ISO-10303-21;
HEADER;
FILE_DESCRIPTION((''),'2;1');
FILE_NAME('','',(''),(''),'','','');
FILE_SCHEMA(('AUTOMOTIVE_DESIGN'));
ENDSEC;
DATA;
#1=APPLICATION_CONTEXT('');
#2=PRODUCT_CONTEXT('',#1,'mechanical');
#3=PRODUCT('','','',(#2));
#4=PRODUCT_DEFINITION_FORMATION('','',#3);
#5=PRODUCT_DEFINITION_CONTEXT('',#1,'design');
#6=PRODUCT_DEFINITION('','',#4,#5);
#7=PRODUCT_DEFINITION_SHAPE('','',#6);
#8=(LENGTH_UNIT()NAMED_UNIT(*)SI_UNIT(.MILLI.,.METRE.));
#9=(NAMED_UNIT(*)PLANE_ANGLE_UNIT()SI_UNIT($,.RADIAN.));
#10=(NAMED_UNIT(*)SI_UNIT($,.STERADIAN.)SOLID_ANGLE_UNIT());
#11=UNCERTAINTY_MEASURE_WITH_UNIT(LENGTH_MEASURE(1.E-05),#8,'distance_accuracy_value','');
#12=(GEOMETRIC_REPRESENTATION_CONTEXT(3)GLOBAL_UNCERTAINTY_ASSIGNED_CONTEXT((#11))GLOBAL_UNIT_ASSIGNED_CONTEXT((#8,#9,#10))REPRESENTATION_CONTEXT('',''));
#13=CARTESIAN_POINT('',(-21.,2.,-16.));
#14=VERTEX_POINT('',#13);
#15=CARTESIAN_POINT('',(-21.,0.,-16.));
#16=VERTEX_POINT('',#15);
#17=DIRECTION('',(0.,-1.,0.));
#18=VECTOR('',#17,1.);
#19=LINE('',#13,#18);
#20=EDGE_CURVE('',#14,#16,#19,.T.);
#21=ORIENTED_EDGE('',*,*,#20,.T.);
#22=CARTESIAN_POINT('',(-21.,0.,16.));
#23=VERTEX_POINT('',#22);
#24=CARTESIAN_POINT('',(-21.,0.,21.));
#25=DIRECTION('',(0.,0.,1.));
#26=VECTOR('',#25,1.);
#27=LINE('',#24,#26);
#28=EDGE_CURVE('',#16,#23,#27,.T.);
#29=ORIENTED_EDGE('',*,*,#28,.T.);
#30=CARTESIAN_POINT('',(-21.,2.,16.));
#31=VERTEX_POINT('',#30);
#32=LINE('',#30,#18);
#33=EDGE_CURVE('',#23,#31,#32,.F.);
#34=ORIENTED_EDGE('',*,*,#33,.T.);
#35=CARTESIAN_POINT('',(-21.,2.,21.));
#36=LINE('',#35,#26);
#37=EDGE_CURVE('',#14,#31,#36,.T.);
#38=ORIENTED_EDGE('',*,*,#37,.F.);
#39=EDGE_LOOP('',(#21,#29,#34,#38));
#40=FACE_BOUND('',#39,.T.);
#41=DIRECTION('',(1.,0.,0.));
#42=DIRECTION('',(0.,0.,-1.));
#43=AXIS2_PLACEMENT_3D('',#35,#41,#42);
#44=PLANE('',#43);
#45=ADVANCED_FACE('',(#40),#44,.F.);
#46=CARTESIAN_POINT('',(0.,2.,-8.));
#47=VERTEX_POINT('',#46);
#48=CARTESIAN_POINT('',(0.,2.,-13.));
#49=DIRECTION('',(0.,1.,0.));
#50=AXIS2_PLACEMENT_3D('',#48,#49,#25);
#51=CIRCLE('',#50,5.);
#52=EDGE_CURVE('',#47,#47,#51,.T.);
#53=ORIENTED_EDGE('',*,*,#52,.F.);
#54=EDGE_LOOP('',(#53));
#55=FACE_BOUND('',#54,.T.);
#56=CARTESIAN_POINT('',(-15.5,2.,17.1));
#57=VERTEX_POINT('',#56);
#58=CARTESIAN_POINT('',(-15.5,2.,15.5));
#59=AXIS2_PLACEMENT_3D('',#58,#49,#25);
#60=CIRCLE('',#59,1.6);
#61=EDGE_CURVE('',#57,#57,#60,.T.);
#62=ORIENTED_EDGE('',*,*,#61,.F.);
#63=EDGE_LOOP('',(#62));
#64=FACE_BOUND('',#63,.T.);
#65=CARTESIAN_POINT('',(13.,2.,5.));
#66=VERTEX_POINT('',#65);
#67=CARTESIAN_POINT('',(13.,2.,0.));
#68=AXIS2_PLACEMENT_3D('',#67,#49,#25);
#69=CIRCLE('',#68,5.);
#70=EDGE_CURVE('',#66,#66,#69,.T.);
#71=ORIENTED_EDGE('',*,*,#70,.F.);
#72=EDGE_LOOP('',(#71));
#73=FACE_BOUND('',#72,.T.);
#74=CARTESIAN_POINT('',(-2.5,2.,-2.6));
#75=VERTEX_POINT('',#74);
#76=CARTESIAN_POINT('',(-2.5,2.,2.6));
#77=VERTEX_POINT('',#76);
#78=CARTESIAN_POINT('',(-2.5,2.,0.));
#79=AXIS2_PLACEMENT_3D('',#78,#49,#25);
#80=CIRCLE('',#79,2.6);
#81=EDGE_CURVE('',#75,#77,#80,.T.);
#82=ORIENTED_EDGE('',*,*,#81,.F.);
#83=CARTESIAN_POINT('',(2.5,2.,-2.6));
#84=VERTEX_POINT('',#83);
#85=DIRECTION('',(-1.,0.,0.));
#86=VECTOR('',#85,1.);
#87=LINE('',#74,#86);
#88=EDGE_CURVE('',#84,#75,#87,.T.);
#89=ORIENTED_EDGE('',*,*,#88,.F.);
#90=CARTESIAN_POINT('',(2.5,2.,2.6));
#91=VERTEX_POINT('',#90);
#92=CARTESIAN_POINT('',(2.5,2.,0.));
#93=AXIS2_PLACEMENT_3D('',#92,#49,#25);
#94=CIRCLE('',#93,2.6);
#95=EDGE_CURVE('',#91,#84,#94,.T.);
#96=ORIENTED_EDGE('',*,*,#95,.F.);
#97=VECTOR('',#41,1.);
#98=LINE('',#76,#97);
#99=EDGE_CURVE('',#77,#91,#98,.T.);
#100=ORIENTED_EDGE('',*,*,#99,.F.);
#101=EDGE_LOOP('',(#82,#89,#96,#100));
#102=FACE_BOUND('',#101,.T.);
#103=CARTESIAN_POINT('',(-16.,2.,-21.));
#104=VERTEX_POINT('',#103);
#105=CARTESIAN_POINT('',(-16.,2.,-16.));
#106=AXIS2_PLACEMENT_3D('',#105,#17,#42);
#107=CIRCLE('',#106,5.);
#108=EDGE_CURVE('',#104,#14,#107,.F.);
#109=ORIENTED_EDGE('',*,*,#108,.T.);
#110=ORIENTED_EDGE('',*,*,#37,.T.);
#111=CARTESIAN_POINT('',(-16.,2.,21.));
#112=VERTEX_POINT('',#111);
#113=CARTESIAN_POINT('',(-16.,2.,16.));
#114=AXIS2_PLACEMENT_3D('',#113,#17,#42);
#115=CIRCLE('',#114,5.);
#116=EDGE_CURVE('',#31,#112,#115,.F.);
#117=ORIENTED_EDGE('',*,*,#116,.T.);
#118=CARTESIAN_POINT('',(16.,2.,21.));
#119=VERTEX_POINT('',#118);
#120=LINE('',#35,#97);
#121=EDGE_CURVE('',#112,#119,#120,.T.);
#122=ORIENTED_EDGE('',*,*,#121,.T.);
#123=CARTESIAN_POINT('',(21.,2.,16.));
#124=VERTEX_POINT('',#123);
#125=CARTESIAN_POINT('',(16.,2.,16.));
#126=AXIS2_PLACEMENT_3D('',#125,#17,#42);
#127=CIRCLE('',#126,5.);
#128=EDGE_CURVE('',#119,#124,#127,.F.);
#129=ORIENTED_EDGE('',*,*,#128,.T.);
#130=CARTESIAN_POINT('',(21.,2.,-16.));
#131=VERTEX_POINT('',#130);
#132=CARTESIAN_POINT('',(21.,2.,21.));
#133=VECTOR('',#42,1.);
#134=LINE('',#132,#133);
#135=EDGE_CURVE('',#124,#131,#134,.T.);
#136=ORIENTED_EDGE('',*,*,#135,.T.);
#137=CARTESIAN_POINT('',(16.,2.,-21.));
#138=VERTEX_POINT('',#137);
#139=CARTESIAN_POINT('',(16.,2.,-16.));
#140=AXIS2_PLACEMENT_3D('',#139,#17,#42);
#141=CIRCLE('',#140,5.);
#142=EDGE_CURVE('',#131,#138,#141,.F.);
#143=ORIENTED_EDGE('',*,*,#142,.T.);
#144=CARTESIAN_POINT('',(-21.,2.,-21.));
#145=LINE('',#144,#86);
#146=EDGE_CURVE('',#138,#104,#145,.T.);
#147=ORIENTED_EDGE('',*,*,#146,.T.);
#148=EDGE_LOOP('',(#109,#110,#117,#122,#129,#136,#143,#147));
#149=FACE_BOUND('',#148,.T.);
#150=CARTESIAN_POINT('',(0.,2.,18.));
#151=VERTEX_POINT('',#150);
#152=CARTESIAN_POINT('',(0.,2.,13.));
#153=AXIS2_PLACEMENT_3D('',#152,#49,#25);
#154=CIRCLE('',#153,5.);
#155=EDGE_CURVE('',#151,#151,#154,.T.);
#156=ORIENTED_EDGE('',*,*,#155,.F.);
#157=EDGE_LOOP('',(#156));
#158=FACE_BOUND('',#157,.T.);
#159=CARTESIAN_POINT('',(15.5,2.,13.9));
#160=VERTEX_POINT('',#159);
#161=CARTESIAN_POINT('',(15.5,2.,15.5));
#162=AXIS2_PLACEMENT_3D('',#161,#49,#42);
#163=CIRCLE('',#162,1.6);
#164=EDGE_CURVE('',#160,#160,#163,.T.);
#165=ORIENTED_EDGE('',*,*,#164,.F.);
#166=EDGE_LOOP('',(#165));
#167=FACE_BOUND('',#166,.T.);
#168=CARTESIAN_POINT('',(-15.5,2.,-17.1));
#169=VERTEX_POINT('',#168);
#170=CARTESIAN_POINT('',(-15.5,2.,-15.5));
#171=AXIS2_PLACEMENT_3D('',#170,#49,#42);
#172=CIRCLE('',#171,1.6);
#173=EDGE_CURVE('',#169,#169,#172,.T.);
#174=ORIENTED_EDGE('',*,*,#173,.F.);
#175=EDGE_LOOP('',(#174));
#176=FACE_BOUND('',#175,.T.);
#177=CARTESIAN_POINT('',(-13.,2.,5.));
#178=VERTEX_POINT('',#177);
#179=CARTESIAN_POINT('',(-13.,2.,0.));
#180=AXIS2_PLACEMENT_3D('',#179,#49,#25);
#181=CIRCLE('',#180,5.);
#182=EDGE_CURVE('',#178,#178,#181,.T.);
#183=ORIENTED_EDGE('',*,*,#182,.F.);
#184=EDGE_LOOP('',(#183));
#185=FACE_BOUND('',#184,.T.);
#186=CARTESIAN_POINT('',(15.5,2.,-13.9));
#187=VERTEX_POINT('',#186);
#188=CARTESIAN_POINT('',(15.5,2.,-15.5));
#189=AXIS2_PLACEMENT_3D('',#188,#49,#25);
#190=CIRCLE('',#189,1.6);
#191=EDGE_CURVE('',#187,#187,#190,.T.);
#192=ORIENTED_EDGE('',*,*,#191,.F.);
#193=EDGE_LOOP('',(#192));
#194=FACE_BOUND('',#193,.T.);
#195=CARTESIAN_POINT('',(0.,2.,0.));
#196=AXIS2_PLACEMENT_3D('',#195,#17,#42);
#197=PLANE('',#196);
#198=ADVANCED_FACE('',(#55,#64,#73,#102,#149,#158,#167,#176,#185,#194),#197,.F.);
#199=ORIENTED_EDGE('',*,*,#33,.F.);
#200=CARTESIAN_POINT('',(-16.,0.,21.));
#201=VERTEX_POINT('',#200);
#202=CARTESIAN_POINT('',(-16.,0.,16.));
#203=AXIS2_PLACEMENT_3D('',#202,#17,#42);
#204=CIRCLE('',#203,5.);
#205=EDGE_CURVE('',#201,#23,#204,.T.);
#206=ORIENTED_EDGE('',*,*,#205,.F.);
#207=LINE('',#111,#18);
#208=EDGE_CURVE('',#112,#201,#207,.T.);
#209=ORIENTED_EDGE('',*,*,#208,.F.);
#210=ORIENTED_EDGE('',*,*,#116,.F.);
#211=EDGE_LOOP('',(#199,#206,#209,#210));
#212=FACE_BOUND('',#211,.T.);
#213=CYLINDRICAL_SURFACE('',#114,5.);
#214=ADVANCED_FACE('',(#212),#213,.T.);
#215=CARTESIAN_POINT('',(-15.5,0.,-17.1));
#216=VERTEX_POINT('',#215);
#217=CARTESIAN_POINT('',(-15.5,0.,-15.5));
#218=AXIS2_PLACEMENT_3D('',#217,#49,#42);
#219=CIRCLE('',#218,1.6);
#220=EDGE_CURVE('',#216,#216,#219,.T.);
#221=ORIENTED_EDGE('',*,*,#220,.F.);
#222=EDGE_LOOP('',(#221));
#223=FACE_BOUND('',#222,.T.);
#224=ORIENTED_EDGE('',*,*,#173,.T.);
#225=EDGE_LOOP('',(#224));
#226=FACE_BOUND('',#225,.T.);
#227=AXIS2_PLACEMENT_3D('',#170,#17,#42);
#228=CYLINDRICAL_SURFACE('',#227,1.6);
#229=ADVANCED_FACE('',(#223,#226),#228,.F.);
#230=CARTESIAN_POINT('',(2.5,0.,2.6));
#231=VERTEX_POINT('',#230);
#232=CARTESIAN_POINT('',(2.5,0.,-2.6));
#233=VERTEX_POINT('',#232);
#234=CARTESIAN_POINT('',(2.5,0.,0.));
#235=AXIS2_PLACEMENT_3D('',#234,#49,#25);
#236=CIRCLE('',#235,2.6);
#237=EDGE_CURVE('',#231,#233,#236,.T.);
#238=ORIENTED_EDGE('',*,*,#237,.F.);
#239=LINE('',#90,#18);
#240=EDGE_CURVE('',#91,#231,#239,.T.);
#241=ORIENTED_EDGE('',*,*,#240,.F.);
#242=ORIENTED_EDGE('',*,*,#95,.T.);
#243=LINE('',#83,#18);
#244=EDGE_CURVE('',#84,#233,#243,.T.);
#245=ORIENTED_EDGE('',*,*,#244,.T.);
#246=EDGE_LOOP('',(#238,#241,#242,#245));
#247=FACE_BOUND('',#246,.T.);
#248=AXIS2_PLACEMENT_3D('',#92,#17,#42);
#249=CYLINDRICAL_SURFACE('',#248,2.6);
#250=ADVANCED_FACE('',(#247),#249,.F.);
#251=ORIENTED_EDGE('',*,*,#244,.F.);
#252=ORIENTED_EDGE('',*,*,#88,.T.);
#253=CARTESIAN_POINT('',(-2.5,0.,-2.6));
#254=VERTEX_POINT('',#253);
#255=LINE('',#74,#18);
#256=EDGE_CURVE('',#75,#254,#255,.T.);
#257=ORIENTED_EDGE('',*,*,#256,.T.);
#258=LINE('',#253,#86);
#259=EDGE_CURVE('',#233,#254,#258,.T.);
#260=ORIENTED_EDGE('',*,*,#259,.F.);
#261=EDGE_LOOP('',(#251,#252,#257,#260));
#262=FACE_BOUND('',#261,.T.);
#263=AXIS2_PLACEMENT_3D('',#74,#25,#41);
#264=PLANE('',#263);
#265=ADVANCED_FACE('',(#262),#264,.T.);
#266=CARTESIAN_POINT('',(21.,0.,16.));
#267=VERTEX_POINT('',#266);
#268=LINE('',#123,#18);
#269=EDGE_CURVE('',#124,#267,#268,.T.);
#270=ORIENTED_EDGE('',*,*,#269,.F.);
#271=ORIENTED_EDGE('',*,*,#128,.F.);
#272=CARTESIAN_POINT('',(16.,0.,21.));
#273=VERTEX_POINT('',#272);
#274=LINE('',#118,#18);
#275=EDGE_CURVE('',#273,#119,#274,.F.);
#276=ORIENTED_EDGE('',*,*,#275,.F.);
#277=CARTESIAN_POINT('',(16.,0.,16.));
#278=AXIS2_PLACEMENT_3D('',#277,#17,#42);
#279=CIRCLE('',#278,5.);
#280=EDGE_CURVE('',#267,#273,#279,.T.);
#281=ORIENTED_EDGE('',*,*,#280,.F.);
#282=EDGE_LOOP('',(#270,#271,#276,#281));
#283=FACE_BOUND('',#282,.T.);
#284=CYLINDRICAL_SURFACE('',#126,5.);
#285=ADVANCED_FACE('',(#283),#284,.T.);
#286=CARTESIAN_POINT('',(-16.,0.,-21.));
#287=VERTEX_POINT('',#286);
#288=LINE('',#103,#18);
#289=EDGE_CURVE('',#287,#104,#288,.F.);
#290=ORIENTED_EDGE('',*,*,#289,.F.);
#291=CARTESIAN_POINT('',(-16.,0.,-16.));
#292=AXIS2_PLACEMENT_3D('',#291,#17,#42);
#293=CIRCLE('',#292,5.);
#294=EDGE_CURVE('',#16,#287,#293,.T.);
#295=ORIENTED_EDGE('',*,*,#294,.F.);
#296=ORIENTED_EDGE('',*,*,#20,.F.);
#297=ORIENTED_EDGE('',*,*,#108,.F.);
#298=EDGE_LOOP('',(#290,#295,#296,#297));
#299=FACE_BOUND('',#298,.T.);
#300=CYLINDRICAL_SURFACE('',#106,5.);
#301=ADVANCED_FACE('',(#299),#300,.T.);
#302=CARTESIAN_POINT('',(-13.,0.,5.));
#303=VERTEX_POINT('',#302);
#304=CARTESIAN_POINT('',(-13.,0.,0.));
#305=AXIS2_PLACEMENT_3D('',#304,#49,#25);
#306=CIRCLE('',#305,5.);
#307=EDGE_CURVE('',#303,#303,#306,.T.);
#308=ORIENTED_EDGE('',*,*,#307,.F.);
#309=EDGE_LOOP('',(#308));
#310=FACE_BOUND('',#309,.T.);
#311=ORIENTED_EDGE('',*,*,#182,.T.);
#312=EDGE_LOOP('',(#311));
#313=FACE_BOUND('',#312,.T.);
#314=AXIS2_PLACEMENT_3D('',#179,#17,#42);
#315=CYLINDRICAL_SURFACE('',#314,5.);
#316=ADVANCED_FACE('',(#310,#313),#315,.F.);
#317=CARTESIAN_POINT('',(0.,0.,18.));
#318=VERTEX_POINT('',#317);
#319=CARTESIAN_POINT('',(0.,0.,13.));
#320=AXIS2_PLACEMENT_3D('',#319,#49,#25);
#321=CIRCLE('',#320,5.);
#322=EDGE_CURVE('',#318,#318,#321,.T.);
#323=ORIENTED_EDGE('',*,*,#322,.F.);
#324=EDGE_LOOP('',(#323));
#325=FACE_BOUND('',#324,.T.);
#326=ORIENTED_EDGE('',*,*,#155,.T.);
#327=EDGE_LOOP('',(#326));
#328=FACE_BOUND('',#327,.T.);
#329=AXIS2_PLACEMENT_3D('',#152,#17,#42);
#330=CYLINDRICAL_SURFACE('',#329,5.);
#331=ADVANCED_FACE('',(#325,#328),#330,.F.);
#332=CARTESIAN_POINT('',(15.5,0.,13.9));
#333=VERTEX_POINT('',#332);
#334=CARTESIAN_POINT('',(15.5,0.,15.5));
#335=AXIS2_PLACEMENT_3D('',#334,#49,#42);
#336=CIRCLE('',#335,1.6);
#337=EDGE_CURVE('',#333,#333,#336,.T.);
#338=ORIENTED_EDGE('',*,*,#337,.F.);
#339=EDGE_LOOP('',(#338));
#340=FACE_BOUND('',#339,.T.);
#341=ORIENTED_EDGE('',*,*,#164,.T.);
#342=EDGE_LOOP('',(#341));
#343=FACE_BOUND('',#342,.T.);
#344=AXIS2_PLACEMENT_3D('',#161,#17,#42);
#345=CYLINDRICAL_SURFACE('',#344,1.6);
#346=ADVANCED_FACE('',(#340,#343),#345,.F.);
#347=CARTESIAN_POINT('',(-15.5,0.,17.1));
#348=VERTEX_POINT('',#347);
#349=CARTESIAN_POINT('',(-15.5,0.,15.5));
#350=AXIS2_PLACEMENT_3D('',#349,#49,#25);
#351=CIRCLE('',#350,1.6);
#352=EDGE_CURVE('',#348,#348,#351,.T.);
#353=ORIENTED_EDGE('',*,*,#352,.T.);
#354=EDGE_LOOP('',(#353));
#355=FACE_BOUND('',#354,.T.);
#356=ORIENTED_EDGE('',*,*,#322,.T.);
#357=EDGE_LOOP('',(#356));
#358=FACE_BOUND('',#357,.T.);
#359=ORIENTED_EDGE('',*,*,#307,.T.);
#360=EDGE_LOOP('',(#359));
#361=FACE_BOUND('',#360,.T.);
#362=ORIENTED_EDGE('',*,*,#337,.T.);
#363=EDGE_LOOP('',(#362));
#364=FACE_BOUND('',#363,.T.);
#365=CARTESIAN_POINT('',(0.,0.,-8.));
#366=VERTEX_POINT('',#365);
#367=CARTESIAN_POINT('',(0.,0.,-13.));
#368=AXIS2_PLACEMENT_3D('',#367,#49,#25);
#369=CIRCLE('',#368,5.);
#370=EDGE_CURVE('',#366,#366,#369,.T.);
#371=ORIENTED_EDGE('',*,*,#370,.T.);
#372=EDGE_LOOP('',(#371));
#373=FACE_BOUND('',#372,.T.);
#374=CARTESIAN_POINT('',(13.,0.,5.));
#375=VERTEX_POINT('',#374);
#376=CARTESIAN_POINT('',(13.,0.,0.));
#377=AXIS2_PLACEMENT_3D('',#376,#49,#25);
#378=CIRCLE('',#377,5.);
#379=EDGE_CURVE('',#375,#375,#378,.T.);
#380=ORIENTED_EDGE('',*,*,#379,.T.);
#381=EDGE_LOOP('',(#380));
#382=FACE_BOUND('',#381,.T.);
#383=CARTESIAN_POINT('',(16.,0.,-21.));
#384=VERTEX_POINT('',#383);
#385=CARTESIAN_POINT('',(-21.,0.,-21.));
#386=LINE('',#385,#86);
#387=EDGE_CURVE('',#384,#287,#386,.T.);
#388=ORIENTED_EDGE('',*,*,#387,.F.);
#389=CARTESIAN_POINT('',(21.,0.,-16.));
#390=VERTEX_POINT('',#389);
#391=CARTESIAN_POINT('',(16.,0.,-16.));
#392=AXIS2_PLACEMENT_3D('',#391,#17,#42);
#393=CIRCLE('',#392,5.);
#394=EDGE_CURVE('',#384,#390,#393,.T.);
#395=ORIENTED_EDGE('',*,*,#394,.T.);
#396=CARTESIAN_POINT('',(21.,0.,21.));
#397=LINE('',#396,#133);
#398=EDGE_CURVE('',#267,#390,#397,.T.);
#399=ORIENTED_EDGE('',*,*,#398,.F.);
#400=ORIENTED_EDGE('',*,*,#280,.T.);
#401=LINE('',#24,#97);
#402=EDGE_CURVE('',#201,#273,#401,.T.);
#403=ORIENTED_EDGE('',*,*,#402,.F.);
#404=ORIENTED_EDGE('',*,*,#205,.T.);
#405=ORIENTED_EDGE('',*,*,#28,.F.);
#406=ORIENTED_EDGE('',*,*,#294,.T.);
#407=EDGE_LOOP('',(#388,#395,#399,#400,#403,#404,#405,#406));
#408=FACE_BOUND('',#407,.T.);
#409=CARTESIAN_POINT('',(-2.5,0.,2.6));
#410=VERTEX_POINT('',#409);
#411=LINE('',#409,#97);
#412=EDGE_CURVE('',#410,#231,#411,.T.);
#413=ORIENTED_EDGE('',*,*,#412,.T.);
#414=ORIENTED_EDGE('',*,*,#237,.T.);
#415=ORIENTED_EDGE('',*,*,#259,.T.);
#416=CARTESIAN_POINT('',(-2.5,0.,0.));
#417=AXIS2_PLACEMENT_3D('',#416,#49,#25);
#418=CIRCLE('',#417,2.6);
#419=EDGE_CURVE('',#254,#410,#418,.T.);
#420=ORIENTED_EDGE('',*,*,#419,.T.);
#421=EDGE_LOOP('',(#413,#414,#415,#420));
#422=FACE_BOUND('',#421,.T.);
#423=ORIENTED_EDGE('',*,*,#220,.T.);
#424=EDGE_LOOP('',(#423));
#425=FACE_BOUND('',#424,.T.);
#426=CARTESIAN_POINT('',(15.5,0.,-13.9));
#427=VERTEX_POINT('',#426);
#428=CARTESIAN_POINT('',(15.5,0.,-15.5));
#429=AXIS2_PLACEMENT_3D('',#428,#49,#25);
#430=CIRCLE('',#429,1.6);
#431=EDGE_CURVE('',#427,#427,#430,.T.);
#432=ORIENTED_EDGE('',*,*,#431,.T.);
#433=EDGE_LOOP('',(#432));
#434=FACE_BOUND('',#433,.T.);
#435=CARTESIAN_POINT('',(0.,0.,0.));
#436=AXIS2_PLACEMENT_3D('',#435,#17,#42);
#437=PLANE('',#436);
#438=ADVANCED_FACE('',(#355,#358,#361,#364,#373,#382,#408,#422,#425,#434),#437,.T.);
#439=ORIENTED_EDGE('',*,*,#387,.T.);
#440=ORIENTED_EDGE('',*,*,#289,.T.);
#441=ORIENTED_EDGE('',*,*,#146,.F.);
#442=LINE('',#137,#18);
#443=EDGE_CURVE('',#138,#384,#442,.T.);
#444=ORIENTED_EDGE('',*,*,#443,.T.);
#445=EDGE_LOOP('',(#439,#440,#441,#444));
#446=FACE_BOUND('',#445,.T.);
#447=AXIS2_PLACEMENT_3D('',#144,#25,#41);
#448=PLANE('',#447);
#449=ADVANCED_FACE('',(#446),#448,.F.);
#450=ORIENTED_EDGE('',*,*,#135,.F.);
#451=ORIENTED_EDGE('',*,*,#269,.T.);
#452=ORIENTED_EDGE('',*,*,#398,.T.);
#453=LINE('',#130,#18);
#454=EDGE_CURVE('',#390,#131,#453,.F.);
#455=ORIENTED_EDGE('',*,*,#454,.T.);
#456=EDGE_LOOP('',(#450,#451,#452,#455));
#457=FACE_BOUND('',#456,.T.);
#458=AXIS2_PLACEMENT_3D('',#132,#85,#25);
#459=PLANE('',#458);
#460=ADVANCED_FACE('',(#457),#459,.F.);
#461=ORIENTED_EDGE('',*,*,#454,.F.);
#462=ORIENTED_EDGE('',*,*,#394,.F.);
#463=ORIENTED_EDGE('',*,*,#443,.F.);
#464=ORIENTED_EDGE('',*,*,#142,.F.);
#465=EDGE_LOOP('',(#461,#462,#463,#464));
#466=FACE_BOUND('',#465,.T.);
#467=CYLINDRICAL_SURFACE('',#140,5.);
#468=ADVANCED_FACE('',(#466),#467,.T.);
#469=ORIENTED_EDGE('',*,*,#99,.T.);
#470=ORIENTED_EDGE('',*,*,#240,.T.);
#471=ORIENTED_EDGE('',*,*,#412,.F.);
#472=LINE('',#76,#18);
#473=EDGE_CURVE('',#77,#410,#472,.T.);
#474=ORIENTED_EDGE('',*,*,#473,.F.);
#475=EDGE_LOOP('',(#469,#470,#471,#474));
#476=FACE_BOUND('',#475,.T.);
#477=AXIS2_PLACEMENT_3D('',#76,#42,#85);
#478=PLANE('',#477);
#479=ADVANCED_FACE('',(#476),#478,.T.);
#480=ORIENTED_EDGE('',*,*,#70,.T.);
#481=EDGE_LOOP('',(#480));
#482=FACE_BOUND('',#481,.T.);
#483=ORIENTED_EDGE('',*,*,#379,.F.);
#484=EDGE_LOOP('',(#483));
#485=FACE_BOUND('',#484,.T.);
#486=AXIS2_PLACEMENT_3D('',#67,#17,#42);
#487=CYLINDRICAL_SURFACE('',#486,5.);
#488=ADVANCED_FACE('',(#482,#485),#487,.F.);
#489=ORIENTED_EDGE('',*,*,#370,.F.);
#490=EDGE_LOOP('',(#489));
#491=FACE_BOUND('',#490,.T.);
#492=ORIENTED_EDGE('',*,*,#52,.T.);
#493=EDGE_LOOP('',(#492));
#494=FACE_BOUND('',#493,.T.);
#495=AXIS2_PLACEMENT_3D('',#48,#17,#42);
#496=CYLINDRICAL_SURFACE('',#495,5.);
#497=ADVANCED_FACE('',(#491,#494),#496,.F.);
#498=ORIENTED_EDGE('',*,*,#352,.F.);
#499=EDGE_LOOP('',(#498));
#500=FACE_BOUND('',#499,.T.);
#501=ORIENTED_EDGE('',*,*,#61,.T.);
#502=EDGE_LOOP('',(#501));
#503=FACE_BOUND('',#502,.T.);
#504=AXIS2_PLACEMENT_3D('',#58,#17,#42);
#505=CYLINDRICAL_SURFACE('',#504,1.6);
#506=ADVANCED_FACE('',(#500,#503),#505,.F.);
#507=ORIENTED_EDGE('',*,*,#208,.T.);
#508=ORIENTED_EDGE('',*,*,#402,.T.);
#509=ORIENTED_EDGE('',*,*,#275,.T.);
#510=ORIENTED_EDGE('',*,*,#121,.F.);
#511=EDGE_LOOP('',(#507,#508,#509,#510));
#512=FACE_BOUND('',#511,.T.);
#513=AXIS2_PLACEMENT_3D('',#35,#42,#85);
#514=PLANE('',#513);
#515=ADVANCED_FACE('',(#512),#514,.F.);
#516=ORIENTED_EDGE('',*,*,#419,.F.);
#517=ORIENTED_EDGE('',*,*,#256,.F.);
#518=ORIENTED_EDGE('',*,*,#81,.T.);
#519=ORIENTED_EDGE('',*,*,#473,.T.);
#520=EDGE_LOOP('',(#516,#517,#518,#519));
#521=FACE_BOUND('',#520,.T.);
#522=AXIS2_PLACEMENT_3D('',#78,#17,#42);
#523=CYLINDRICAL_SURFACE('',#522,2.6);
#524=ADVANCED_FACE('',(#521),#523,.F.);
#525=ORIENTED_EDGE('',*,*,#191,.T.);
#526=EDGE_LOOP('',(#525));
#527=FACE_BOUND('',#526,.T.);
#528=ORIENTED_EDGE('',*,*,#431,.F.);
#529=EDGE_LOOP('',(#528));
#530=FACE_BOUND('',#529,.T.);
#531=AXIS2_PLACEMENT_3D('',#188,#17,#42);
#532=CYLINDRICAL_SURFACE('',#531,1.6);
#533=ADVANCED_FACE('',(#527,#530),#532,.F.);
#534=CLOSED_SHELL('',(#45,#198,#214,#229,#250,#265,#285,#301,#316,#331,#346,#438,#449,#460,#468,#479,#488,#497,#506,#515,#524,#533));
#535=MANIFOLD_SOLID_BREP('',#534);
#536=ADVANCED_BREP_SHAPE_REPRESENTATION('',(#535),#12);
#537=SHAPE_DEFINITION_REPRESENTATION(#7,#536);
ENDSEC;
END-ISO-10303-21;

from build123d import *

# Parameters (mm, degrees)
SKETCH1_W           = 42
SKETCH1_H           = 42
SKETCH1_R           = 1.6
SKETCH1_R_2         = 5
BOSS_EXTRUDE1_DEPTH = 2
FILLET1_R           = 5


with BuildPart() as part:
    # Sketch1 → Boss-Extrude1 (new body)
    with BuildSketch(Plane(origin=(0, 0, 0), x_dir=(1, 0, 0), z_dir=(0, 1, 0))):
        Rectangle(SKETCH1_W, SKETCH1_H)
        with Locations(Location((15.5, 15.5, 0), (0, 0, 270))):
            Circle(SKETCH1_R, mode=Mode.SUBTRACT)
        with Locations(Location((-15.5, 15.5, 0), (0, 0, 90))):
            Circle(SKETCH1_R, mode=Mode.SUBTRACT)
        with Locations(Location((15.5, -15.5, 0), (0, 0, 90))):
            Circle(SKETCH1_R, mode=Mode.SUBTRACT)
        with Locations(Location((-15.5, -15.5, 0), (0, 0, 270))):
            Circle(SKETCH1_R, mode=Mode.SUBTRACT)
        with Locations(Location((0, 13, 0), (0, 0, 270))):
            Circle(SKETCH1_R_2, mode=Mode.SUBTRACT)
        with Locations(Location((13, 0, 0), (0, 0, 270))):
            Circle(SKETCH1_R_2, mode=Mode.SUBTRACT)
        with Locations(Location((0, -13, 0), (0, 0, 270))):
            Circle(SKETCH1_R_2, mode=Mode.SUBTRACT)
        with Locations(Location((-13, 0, 0), (0, 0, 270))):
            Circle(SKETCH1_R_2, mode=Mode.SUBTRACT)
        with BuildLine():
            Line((-2.5, 2.6), (2.5, 2.6))
            ThreePointArc((2.5, 2.6), (5.1, 0), (2.5, -2.6))
            Line((2.5, -2.6), (-2.5, -2.6))
            ThreePointArc((-2.5, -2.6), (-5.1, 0), (-2.5, 2.6))
        make_face(mode=Mode.SUBTRACT)
    extrude(amount=BOSS_EXTRUDE1_DEPTH)

    # Fillet1
    fillet1_edges = [part.edges().sort_by_distance(p)[0] for p in [
        (21, 1, 21),
        (-21, 1, 21),
        (-21, 1, -21),
        (21, 1, -21),
    ]]
    fillet(fillet1_edges, radius=FILLET1_R)


solid = part.part
